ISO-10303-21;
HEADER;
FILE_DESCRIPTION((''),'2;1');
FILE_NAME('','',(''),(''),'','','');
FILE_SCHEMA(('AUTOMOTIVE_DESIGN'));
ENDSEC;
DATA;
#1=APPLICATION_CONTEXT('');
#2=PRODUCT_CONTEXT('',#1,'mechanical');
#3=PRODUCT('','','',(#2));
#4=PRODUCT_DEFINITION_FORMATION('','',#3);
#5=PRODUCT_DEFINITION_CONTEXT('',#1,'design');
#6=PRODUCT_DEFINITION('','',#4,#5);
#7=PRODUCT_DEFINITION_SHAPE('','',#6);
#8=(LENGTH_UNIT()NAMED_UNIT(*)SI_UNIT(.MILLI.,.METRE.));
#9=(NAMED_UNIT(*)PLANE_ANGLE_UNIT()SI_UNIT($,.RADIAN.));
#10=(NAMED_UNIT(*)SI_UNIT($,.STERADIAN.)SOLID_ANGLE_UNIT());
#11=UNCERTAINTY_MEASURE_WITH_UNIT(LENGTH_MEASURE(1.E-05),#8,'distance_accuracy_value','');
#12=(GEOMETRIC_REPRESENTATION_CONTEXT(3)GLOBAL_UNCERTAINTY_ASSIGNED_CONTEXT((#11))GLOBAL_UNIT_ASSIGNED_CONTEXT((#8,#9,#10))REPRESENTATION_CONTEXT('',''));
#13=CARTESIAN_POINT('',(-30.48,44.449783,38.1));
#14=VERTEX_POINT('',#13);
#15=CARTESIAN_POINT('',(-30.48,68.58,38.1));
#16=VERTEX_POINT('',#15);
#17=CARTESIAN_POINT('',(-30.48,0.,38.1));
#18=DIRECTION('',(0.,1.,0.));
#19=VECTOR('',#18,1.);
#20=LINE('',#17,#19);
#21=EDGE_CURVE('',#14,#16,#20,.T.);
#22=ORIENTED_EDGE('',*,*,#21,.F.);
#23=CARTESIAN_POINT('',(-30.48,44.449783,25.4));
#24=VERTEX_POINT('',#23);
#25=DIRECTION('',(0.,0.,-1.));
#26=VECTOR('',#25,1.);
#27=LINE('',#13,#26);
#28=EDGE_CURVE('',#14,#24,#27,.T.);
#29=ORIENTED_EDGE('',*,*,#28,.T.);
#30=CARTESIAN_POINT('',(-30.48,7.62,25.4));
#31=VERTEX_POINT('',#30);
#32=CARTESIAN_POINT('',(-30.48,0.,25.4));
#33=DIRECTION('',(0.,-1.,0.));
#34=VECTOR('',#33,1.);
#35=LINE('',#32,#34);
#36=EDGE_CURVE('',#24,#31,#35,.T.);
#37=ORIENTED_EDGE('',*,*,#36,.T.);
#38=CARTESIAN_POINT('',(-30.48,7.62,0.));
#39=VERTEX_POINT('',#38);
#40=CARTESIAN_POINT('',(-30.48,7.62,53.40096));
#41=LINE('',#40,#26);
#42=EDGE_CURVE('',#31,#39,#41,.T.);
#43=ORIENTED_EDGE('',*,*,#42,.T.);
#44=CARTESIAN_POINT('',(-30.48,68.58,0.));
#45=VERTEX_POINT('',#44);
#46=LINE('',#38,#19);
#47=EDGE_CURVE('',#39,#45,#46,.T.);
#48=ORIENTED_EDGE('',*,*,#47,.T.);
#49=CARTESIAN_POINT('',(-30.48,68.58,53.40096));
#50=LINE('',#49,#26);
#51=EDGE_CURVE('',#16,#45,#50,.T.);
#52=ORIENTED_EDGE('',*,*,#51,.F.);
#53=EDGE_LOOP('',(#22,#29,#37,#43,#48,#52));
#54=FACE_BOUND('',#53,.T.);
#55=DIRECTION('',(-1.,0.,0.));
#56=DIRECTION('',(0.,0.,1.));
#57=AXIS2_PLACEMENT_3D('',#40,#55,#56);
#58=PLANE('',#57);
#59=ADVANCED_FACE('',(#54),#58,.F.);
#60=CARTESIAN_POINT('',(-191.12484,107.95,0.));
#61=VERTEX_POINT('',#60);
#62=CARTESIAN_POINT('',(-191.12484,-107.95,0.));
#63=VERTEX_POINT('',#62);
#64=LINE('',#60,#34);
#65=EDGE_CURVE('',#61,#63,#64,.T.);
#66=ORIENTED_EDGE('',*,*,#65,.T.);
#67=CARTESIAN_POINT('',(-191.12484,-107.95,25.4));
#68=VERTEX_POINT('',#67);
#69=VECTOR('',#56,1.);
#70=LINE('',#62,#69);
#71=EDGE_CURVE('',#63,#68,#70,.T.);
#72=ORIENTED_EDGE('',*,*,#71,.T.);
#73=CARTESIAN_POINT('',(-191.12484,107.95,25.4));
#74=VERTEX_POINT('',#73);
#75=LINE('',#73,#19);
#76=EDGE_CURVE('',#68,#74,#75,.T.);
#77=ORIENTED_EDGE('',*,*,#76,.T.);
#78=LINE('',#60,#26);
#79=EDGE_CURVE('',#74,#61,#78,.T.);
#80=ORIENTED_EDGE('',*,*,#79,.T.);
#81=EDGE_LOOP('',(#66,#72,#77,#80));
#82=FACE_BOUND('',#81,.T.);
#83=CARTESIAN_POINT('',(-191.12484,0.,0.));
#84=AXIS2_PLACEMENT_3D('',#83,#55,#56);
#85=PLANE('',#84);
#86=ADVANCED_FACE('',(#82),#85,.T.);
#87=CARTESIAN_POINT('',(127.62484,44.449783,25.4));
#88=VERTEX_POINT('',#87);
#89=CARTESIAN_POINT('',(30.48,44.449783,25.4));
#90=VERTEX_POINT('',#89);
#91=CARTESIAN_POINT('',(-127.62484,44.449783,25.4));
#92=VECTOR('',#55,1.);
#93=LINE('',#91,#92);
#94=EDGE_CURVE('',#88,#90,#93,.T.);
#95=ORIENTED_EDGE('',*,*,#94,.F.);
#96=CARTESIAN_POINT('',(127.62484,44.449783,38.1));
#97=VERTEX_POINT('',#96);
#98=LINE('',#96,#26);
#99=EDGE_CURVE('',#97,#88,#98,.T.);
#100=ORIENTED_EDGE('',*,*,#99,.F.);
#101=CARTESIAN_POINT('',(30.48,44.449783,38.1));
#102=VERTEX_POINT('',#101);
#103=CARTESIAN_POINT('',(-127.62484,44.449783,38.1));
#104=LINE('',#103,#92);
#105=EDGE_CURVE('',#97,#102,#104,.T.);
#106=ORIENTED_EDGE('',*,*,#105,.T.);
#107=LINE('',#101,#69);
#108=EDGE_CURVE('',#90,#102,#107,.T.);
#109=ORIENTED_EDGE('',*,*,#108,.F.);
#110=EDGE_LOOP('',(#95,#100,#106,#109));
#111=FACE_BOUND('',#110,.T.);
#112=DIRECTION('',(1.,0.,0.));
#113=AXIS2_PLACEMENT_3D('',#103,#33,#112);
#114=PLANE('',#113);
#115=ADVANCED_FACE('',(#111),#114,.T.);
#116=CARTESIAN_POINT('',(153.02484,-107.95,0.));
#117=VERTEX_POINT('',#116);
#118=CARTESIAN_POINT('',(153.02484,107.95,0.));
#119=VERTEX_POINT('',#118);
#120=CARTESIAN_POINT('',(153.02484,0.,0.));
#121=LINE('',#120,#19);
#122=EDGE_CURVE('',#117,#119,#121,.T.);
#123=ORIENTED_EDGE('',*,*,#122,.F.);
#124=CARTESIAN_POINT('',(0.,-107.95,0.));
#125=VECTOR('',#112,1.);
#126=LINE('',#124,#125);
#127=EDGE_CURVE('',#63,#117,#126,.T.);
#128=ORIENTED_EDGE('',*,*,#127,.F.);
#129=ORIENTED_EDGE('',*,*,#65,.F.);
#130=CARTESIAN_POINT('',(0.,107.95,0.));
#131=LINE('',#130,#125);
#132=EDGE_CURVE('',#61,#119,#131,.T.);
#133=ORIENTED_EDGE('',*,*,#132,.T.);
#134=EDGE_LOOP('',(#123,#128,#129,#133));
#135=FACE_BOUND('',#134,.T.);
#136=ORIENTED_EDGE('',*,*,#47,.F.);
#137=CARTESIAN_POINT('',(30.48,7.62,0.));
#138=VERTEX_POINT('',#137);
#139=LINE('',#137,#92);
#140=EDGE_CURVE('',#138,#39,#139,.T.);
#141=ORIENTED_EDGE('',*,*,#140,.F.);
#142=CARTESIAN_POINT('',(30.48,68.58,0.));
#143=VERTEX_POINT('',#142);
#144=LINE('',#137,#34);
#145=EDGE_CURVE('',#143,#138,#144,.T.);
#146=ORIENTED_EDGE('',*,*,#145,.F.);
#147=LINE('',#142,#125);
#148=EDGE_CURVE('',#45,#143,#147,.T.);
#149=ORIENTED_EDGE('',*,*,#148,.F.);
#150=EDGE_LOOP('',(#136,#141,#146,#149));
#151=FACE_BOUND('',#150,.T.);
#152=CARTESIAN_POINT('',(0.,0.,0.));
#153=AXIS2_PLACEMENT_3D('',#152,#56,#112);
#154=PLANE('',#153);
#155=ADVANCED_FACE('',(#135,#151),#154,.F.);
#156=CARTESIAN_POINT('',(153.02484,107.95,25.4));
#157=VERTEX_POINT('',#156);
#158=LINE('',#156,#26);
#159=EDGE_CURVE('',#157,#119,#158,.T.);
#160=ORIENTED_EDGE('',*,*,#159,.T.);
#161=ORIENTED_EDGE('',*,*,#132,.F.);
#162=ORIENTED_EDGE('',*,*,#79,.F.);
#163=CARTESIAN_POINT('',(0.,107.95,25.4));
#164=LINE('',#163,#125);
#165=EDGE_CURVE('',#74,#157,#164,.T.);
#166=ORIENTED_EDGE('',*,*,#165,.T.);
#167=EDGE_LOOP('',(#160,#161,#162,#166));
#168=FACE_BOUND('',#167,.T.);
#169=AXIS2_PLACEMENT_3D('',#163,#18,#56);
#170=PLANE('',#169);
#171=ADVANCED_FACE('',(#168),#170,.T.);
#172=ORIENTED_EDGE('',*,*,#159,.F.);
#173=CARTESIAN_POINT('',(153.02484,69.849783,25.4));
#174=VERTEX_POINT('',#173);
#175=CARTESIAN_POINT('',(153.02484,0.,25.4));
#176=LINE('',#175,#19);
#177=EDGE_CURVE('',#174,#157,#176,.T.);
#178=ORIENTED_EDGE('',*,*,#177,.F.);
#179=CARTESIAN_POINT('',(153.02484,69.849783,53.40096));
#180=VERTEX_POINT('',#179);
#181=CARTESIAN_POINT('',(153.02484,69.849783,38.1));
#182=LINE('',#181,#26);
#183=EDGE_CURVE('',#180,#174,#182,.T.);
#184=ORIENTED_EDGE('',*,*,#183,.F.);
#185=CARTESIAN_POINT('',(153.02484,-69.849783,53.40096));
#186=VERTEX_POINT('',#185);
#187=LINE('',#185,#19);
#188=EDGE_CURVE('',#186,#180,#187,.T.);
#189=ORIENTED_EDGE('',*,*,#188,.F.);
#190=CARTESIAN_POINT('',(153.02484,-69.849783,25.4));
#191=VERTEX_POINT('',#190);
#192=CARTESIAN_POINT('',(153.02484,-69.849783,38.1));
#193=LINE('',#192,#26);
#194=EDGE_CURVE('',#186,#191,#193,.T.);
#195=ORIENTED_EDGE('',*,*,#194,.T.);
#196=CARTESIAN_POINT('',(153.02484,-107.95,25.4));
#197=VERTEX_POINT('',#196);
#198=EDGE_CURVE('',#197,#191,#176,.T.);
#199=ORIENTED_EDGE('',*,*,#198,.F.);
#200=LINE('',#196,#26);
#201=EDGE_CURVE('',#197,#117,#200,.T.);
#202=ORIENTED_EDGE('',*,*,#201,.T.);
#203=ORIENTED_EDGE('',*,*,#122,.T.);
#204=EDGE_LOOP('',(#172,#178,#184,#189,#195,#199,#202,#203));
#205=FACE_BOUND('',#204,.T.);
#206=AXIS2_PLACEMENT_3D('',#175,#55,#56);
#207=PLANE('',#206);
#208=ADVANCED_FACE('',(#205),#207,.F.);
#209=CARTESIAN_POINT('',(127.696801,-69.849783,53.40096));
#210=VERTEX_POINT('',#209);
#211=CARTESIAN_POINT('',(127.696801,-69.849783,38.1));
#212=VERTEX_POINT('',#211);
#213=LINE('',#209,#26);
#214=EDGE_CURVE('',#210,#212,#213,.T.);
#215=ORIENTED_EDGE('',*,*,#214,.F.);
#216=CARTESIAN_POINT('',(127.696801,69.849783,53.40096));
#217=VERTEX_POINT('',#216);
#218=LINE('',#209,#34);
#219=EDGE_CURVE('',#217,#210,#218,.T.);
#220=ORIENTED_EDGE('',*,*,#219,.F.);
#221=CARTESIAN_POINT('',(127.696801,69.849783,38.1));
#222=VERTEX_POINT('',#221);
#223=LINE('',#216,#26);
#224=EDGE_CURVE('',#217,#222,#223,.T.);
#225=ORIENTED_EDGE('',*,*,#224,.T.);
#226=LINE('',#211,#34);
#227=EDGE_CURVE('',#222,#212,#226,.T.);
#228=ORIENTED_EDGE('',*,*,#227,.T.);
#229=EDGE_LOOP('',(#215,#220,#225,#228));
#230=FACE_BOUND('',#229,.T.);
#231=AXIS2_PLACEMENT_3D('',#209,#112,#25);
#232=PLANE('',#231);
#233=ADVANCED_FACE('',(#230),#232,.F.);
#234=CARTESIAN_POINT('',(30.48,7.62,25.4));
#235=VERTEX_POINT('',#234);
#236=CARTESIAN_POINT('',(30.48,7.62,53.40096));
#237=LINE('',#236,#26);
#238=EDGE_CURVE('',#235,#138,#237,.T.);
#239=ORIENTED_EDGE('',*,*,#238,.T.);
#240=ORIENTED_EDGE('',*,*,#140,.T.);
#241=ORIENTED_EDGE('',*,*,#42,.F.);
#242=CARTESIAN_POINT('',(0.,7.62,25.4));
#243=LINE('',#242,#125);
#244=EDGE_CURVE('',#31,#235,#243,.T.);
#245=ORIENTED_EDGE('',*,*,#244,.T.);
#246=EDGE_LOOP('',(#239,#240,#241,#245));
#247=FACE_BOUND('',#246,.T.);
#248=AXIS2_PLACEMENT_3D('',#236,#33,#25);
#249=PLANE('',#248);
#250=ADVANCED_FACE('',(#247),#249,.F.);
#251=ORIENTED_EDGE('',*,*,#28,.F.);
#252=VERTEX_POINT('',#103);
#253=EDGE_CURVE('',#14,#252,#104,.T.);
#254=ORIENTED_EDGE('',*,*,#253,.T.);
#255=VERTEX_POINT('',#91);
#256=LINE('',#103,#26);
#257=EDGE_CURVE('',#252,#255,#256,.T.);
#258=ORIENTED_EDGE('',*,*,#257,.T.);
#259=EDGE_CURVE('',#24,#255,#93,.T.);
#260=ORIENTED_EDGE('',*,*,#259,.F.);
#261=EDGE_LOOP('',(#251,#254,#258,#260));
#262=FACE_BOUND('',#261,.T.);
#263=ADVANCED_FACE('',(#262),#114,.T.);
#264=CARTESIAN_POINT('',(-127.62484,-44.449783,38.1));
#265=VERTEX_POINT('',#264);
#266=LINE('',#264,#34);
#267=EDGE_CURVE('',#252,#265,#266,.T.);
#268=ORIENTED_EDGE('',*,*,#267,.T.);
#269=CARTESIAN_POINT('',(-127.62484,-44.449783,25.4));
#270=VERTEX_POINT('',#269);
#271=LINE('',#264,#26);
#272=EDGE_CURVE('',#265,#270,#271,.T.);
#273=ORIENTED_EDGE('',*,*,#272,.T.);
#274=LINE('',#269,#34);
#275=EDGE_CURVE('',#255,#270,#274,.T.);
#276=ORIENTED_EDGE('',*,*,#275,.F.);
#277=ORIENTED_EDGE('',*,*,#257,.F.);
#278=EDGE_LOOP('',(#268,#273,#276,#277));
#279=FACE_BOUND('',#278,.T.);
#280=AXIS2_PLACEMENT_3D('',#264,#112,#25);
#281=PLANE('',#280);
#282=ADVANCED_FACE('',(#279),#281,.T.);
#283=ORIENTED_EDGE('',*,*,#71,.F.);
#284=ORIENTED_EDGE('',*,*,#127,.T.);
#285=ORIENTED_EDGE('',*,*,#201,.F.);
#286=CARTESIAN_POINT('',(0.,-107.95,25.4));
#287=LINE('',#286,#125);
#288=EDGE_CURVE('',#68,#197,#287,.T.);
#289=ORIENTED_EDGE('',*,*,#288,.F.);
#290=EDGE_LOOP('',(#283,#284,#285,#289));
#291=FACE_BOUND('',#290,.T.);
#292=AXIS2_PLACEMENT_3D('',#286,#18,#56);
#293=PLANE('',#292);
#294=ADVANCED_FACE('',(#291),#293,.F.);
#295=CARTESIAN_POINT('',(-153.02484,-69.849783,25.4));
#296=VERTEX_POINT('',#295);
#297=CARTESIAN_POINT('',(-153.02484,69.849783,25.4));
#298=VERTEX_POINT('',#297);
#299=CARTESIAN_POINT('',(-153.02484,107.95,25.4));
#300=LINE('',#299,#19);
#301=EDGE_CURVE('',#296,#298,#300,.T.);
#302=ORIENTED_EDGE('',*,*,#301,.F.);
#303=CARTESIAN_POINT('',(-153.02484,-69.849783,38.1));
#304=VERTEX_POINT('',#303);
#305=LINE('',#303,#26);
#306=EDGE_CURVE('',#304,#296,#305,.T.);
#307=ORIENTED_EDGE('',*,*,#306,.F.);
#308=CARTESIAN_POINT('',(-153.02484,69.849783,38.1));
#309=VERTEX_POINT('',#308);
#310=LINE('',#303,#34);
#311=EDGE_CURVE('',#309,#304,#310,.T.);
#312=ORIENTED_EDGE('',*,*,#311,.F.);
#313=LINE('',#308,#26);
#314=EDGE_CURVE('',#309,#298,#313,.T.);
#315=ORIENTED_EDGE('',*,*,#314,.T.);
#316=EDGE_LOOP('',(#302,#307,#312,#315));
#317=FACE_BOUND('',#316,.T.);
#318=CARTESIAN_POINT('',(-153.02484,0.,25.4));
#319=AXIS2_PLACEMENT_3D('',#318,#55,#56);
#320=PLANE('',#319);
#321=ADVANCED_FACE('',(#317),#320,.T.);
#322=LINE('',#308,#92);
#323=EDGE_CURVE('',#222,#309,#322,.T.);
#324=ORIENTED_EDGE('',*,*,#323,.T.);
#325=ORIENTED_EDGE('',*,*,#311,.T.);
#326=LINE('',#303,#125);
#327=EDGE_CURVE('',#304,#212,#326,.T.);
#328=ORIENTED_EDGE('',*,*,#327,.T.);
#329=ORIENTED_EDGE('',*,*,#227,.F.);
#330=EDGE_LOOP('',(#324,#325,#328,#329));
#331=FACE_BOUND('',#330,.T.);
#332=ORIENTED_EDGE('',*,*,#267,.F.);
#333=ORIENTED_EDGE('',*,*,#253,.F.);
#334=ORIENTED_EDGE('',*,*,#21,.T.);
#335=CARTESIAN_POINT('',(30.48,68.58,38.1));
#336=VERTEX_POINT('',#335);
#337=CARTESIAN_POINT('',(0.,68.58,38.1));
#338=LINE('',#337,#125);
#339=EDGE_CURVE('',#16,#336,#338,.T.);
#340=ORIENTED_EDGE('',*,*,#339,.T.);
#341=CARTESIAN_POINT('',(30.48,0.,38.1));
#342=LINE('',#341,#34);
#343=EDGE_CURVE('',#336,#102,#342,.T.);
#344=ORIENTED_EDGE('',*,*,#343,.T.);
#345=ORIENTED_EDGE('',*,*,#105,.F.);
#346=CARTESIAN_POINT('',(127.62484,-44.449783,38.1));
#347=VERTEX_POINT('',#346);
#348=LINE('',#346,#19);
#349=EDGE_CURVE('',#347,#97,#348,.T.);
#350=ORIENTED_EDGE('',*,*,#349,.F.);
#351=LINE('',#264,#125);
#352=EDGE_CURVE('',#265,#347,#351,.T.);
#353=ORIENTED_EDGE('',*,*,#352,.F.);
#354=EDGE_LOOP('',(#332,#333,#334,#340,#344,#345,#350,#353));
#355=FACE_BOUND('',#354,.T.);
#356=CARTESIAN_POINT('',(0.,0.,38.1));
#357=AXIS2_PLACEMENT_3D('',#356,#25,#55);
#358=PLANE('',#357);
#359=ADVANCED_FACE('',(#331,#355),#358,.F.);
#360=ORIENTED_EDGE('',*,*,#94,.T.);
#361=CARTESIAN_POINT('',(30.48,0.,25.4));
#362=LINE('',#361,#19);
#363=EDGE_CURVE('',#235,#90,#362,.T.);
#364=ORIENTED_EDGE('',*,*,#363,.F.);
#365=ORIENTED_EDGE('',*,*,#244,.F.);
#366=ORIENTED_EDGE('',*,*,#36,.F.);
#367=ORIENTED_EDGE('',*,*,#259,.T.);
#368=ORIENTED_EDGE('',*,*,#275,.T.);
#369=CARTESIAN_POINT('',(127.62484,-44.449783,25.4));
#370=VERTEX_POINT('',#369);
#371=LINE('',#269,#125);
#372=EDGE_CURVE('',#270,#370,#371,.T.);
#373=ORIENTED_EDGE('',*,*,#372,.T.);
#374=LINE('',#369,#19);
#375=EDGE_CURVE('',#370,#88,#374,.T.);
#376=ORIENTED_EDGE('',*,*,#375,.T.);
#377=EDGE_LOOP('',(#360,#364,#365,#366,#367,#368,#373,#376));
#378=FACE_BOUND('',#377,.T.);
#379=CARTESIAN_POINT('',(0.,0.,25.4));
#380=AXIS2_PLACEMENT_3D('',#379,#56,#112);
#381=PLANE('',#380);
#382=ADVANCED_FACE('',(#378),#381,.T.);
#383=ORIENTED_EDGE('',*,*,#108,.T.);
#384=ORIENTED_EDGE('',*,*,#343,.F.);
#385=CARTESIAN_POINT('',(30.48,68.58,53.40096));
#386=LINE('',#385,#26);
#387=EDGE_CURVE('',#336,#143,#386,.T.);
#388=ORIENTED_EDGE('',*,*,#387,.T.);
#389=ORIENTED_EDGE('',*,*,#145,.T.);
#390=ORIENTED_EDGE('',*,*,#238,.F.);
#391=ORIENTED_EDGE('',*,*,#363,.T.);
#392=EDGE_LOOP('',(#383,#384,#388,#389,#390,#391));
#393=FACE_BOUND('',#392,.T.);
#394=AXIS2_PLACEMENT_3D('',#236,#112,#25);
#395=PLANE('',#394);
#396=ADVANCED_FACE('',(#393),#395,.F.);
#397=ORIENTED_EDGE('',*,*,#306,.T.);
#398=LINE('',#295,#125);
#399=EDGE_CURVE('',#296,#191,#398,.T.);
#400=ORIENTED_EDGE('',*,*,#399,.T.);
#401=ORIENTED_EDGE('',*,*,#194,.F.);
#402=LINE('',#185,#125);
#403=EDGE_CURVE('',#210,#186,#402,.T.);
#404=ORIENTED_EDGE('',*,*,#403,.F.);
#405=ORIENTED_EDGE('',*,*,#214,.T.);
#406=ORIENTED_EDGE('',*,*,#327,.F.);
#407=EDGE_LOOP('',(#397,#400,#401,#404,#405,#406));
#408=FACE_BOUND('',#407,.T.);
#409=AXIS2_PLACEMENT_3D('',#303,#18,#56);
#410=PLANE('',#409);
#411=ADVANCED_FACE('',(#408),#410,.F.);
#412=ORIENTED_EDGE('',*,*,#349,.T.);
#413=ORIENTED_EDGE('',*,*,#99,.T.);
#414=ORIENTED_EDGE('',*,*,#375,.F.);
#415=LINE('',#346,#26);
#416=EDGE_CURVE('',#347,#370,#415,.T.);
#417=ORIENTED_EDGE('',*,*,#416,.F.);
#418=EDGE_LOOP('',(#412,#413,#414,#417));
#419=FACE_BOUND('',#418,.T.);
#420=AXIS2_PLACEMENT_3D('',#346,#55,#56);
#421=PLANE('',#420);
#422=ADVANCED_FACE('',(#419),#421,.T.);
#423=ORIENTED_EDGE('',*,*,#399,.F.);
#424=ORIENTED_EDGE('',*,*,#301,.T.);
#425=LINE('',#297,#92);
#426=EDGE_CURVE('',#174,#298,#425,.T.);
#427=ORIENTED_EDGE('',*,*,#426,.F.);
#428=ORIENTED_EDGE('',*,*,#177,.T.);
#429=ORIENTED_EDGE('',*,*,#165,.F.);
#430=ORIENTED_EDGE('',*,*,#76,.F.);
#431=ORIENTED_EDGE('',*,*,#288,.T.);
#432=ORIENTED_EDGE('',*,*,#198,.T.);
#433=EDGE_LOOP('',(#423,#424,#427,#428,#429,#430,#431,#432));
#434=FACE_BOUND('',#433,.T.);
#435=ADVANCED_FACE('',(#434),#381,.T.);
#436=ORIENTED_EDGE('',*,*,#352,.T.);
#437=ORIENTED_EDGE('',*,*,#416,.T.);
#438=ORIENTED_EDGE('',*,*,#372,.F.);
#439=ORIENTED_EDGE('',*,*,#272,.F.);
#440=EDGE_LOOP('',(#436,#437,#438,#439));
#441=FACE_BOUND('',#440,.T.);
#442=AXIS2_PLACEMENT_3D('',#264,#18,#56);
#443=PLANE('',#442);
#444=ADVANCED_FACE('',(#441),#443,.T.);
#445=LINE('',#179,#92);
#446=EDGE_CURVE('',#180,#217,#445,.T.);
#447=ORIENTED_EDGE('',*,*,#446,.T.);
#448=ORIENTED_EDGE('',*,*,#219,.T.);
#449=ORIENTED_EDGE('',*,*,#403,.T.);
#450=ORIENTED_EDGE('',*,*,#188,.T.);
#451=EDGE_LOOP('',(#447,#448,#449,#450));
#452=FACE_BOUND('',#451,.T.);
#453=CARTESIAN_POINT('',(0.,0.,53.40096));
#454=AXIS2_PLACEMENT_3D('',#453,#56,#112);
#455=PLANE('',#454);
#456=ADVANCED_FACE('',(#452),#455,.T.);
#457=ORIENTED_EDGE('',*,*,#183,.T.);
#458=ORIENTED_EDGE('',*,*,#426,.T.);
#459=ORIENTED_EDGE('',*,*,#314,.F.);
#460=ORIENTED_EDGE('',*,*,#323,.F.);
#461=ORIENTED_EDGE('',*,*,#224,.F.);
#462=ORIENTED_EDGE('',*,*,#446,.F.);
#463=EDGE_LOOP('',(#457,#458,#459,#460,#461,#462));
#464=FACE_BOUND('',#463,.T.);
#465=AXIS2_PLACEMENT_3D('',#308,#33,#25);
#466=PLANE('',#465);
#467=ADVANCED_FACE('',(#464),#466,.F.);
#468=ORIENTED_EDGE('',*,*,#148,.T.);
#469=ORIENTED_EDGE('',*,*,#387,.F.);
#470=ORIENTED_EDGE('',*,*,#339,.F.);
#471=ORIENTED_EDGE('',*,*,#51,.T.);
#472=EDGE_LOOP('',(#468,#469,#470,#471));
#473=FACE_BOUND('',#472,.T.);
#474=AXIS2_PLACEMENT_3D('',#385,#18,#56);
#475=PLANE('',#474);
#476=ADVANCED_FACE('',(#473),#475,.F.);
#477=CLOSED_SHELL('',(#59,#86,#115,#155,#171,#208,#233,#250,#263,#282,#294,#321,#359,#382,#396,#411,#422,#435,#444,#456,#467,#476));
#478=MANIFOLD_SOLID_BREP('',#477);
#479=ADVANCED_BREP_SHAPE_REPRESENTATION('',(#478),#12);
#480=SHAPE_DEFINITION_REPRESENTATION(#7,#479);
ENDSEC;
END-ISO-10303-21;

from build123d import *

# Parameters (mm, degrees)
SKETCH1_W           = 306.04968
SKETCH1_H           = 215.9
SKETCH1_W_2         = 255.24968
SKETCH1_H_2         = 165.1
BOSS_EXTRUDE1_DEPTH = 25.4
SKETCH10_W          = 306.04968
SKETCH10_H          = 139.69956566
SKETCH10_W_2        = 255.24968
SKETCH10_H_2        = 88.89956566
BOSS_EXTRUDE6_DEPTH = 12.7
SKETCH12_W          = 25.328039302
SKETCH12_H          = 139.69956566
BOSS_EXTRUDE7_DEPTH = 15.30096
SKETCH14_W          = 60.96
SKETCH14_H          = 60.96
CUT_EXTRUDE1_DEPTH  = 195.734349014
SKETCH5_W           = 25.4
SKETCH5_H           = 215.9
BOSS_EXTRUDE4_DEPTH = 38.1


with BuildPart() as part:
    # Sketch1 → Boss-Extrude1 (new body)
    # profile 1 of 2: a face of its own
    with BuildSketch(Plane.XY):
        Rectangle(SKETCH1_W, SKETCH1_H)
        Rectangle(SKETCH1_W_2, SKETCH1_H_2, mode=Mode.SUBTRACT)
    # profile 2 of 2: a face of its own
    with BuildSketch(Plane.XY):
        Rectangle(SKETCH1_W_2, SKETCH1_H_2)
    extrude(amount=BOSS_EXTRUDE1_DEPTH)

    # Sketch10 → Boss-Extrude6 (add)
    with BuildSketch(Plane.XY.offset(25.4)):
        Rectangle(SKETCH10_W, SKETCH10_H)
        Rectangle(SKETCH10_W_2, SKETCH10_H_2, mode=Mode.SUBTRACT)
    extrude(amount=BOSS_EXTRUDE6_DEPTH)

    # Sketch12 → Boss-Extrude7 (add)
    with BuildSketch(Plane.XY.offset(38.1)):
        with Locations((140.360820349, 0)):
            Rectangle(SKETCH12_W, SKETCH12_H)
    extrude(amount=BOSS_EXTRUDE7_DEPTH)

    # Sketch14 → Cut-Extrude1 (cut, through all)
    with BuildSketch(Plane(origin=(0, 0, 0), x_dir=(-1, 0, 0), z_dir=(0, 0, -1))):
        with Locations((0, 38.1)):
            Rectangle(SKETCH14_W, SKETCH14_H)
    extrude(amount=-CUT_EXTRUDE1_DEPTH, mode=Mode.SUBTRACT)

    # Sketch5 → Boss-Extrude4 (add)
    with BuildSketch(Plane.ZY.offset(153.02484)):
        with Locations((12.7, 0)):
            Rectangle(SKETCH5_W, SKETCH5_H)
    extrude(amount=BOSS_EXTRUDE4_DEPTH)


solid = part.part
